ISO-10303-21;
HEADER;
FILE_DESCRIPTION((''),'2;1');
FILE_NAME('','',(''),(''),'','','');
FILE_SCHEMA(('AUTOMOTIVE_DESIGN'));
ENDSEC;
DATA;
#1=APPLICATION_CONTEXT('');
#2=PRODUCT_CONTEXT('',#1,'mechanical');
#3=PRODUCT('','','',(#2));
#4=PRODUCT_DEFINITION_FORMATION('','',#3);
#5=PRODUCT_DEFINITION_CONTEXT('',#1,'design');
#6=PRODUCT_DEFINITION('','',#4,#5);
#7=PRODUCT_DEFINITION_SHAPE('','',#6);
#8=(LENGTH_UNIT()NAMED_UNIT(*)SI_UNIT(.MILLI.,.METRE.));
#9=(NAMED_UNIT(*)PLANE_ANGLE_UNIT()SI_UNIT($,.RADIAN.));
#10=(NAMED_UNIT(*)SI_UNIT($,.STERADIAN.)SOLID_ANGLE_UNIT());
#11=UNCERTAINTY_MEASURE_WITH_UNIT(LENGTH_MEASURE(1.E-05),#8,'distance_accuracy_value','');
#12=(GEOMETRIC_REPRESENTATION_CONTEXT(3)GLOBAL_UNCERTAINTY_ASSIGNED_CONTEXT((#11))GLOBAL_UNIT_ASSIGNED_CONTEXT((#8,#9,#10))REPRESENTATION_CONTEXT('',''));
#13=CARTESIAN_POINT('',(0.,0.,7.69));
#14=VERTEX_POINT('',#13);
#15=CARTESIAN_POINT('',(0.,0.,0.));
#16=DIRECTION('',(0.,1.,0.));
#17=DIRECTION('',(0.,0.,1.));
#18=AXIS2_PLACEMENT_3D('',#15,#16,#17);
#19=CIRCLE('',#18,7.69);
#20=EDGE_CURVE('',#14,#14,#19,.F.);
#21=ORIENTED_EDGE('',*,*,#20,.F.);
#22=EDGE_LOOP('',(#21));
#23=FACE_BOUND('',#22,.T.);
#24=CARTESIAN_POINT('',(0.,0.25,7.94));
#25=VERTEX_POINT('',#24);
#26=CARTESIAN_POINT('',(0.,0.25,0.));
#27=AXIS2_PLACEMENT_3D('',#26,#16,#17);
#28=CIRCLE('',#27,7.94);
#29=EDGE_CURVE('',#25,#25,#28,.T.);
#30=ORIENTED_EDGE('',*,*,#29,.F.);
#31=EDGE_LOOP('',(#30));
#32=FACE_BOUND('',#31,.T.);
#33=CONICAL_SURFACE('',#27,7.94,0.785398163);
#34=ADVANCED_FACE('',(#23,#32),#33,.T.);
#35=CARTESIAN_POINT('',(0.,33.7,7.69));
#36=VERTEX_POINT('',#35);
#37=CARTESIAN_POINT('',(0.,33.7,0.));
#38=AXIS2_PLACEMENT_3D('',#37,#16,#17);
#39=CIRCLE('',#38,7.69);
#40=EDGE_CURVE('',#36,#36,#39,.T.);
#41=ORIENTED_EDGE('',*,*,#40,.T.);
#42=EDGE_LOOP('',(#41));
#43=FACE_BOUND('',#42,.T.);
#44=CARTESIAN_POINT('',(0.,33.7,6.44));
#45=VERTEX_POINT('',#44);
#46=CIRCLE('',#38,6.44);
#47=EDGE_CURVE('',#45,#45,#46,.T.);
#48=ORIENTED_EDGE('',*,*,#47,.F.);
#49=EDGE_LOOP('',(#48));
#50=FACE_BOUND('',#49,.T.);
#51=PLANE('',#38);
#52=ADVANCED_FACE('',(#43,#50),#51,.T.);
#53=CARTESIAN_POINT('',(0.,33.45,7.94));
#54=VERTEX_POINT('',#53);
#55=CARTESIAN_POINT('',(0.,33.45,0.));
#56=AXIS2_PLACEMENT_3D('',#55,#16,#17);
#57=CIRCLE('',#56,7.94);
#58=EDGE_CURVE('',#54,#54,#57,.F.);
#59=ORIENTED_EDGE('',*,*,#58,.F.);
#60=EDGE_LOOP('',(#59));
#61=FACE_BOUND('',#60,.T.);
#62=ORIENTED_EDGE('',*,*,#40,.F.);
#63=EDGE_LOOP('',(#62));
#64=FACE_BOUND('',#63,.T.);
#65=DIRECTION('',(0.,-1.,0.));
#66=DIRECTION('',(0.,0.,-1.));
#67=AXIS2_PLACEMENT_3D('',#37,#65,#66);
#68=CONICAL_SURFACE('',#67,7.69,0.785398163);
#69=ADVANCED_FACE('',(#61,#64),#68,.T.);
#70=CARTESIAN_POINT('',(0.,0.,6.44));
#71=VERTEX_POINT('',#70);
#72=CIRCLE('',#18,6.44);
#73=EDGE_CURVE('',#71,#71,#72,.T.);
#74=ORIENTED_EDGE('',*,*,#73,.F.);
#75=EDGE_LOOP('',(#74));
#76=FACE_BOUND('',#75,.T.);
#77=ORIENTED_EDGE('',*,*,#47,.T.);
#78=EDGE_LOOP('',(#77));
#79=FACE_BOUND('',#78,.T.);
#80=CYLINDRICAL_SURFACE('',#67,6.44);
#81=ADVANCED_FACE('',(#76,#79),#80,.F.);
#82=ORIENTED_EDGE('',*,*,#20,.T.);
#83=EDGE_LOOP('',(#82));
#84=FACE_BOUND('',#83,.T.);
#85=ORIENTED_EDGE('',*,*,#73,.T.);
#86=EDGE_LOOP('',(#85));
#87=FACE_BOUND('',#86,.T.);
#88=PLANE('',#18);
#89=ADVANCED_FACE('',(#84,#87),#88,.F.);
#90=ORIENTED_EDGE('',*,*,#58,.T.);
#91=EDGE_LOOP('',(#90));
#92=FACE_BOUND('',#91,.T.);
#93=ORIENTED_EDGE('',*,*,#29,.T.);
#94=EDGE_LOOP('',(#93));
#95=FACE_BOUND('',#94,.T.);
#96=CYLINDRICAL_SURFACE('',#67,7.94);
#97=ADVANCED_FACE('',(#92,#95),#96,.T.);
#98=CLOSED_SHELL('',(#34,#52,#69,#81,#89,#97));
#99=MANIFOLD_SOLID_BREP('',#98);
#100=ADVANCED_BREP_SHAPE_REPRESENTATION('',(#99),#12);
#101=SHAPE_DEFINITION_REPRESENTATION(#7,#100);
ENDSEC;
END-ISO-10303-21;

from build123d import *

# Parameters (mm, degrees)
SKETCH1_R           = 7.94
SKETCH1_R_2         = 6.44
BOSS_EXTRUDE1_DEPTH = 33.7
CHAMFER1_SIZE       = 0.25


with BuildPart() as part:
    # Sketch1 → Boss-Extrude1 (new body)
    with BuildSketch(Plane(origin=(0, 0, 0), x_dir=(1, 0, 0), z_dir=(0, 1, 0))):
        Circle(SKETCH1_R)
        Circle(SKETCH1_R_2, mode=Mode.SUBTRACT)
    extrude(amount=BOSS_EXTRUDE1_DEPTH)

    # Chamfer1
    chamfer1_edges = [part.edges().sort_by_distance(p)[0] for p in [
        (-7.94, 0, 0),
        (-7.94, 33.7, 0),
    ]]
    chamfer(chamfer1_edges, length=CHAMFER1_SIZE)


solid = part.part
